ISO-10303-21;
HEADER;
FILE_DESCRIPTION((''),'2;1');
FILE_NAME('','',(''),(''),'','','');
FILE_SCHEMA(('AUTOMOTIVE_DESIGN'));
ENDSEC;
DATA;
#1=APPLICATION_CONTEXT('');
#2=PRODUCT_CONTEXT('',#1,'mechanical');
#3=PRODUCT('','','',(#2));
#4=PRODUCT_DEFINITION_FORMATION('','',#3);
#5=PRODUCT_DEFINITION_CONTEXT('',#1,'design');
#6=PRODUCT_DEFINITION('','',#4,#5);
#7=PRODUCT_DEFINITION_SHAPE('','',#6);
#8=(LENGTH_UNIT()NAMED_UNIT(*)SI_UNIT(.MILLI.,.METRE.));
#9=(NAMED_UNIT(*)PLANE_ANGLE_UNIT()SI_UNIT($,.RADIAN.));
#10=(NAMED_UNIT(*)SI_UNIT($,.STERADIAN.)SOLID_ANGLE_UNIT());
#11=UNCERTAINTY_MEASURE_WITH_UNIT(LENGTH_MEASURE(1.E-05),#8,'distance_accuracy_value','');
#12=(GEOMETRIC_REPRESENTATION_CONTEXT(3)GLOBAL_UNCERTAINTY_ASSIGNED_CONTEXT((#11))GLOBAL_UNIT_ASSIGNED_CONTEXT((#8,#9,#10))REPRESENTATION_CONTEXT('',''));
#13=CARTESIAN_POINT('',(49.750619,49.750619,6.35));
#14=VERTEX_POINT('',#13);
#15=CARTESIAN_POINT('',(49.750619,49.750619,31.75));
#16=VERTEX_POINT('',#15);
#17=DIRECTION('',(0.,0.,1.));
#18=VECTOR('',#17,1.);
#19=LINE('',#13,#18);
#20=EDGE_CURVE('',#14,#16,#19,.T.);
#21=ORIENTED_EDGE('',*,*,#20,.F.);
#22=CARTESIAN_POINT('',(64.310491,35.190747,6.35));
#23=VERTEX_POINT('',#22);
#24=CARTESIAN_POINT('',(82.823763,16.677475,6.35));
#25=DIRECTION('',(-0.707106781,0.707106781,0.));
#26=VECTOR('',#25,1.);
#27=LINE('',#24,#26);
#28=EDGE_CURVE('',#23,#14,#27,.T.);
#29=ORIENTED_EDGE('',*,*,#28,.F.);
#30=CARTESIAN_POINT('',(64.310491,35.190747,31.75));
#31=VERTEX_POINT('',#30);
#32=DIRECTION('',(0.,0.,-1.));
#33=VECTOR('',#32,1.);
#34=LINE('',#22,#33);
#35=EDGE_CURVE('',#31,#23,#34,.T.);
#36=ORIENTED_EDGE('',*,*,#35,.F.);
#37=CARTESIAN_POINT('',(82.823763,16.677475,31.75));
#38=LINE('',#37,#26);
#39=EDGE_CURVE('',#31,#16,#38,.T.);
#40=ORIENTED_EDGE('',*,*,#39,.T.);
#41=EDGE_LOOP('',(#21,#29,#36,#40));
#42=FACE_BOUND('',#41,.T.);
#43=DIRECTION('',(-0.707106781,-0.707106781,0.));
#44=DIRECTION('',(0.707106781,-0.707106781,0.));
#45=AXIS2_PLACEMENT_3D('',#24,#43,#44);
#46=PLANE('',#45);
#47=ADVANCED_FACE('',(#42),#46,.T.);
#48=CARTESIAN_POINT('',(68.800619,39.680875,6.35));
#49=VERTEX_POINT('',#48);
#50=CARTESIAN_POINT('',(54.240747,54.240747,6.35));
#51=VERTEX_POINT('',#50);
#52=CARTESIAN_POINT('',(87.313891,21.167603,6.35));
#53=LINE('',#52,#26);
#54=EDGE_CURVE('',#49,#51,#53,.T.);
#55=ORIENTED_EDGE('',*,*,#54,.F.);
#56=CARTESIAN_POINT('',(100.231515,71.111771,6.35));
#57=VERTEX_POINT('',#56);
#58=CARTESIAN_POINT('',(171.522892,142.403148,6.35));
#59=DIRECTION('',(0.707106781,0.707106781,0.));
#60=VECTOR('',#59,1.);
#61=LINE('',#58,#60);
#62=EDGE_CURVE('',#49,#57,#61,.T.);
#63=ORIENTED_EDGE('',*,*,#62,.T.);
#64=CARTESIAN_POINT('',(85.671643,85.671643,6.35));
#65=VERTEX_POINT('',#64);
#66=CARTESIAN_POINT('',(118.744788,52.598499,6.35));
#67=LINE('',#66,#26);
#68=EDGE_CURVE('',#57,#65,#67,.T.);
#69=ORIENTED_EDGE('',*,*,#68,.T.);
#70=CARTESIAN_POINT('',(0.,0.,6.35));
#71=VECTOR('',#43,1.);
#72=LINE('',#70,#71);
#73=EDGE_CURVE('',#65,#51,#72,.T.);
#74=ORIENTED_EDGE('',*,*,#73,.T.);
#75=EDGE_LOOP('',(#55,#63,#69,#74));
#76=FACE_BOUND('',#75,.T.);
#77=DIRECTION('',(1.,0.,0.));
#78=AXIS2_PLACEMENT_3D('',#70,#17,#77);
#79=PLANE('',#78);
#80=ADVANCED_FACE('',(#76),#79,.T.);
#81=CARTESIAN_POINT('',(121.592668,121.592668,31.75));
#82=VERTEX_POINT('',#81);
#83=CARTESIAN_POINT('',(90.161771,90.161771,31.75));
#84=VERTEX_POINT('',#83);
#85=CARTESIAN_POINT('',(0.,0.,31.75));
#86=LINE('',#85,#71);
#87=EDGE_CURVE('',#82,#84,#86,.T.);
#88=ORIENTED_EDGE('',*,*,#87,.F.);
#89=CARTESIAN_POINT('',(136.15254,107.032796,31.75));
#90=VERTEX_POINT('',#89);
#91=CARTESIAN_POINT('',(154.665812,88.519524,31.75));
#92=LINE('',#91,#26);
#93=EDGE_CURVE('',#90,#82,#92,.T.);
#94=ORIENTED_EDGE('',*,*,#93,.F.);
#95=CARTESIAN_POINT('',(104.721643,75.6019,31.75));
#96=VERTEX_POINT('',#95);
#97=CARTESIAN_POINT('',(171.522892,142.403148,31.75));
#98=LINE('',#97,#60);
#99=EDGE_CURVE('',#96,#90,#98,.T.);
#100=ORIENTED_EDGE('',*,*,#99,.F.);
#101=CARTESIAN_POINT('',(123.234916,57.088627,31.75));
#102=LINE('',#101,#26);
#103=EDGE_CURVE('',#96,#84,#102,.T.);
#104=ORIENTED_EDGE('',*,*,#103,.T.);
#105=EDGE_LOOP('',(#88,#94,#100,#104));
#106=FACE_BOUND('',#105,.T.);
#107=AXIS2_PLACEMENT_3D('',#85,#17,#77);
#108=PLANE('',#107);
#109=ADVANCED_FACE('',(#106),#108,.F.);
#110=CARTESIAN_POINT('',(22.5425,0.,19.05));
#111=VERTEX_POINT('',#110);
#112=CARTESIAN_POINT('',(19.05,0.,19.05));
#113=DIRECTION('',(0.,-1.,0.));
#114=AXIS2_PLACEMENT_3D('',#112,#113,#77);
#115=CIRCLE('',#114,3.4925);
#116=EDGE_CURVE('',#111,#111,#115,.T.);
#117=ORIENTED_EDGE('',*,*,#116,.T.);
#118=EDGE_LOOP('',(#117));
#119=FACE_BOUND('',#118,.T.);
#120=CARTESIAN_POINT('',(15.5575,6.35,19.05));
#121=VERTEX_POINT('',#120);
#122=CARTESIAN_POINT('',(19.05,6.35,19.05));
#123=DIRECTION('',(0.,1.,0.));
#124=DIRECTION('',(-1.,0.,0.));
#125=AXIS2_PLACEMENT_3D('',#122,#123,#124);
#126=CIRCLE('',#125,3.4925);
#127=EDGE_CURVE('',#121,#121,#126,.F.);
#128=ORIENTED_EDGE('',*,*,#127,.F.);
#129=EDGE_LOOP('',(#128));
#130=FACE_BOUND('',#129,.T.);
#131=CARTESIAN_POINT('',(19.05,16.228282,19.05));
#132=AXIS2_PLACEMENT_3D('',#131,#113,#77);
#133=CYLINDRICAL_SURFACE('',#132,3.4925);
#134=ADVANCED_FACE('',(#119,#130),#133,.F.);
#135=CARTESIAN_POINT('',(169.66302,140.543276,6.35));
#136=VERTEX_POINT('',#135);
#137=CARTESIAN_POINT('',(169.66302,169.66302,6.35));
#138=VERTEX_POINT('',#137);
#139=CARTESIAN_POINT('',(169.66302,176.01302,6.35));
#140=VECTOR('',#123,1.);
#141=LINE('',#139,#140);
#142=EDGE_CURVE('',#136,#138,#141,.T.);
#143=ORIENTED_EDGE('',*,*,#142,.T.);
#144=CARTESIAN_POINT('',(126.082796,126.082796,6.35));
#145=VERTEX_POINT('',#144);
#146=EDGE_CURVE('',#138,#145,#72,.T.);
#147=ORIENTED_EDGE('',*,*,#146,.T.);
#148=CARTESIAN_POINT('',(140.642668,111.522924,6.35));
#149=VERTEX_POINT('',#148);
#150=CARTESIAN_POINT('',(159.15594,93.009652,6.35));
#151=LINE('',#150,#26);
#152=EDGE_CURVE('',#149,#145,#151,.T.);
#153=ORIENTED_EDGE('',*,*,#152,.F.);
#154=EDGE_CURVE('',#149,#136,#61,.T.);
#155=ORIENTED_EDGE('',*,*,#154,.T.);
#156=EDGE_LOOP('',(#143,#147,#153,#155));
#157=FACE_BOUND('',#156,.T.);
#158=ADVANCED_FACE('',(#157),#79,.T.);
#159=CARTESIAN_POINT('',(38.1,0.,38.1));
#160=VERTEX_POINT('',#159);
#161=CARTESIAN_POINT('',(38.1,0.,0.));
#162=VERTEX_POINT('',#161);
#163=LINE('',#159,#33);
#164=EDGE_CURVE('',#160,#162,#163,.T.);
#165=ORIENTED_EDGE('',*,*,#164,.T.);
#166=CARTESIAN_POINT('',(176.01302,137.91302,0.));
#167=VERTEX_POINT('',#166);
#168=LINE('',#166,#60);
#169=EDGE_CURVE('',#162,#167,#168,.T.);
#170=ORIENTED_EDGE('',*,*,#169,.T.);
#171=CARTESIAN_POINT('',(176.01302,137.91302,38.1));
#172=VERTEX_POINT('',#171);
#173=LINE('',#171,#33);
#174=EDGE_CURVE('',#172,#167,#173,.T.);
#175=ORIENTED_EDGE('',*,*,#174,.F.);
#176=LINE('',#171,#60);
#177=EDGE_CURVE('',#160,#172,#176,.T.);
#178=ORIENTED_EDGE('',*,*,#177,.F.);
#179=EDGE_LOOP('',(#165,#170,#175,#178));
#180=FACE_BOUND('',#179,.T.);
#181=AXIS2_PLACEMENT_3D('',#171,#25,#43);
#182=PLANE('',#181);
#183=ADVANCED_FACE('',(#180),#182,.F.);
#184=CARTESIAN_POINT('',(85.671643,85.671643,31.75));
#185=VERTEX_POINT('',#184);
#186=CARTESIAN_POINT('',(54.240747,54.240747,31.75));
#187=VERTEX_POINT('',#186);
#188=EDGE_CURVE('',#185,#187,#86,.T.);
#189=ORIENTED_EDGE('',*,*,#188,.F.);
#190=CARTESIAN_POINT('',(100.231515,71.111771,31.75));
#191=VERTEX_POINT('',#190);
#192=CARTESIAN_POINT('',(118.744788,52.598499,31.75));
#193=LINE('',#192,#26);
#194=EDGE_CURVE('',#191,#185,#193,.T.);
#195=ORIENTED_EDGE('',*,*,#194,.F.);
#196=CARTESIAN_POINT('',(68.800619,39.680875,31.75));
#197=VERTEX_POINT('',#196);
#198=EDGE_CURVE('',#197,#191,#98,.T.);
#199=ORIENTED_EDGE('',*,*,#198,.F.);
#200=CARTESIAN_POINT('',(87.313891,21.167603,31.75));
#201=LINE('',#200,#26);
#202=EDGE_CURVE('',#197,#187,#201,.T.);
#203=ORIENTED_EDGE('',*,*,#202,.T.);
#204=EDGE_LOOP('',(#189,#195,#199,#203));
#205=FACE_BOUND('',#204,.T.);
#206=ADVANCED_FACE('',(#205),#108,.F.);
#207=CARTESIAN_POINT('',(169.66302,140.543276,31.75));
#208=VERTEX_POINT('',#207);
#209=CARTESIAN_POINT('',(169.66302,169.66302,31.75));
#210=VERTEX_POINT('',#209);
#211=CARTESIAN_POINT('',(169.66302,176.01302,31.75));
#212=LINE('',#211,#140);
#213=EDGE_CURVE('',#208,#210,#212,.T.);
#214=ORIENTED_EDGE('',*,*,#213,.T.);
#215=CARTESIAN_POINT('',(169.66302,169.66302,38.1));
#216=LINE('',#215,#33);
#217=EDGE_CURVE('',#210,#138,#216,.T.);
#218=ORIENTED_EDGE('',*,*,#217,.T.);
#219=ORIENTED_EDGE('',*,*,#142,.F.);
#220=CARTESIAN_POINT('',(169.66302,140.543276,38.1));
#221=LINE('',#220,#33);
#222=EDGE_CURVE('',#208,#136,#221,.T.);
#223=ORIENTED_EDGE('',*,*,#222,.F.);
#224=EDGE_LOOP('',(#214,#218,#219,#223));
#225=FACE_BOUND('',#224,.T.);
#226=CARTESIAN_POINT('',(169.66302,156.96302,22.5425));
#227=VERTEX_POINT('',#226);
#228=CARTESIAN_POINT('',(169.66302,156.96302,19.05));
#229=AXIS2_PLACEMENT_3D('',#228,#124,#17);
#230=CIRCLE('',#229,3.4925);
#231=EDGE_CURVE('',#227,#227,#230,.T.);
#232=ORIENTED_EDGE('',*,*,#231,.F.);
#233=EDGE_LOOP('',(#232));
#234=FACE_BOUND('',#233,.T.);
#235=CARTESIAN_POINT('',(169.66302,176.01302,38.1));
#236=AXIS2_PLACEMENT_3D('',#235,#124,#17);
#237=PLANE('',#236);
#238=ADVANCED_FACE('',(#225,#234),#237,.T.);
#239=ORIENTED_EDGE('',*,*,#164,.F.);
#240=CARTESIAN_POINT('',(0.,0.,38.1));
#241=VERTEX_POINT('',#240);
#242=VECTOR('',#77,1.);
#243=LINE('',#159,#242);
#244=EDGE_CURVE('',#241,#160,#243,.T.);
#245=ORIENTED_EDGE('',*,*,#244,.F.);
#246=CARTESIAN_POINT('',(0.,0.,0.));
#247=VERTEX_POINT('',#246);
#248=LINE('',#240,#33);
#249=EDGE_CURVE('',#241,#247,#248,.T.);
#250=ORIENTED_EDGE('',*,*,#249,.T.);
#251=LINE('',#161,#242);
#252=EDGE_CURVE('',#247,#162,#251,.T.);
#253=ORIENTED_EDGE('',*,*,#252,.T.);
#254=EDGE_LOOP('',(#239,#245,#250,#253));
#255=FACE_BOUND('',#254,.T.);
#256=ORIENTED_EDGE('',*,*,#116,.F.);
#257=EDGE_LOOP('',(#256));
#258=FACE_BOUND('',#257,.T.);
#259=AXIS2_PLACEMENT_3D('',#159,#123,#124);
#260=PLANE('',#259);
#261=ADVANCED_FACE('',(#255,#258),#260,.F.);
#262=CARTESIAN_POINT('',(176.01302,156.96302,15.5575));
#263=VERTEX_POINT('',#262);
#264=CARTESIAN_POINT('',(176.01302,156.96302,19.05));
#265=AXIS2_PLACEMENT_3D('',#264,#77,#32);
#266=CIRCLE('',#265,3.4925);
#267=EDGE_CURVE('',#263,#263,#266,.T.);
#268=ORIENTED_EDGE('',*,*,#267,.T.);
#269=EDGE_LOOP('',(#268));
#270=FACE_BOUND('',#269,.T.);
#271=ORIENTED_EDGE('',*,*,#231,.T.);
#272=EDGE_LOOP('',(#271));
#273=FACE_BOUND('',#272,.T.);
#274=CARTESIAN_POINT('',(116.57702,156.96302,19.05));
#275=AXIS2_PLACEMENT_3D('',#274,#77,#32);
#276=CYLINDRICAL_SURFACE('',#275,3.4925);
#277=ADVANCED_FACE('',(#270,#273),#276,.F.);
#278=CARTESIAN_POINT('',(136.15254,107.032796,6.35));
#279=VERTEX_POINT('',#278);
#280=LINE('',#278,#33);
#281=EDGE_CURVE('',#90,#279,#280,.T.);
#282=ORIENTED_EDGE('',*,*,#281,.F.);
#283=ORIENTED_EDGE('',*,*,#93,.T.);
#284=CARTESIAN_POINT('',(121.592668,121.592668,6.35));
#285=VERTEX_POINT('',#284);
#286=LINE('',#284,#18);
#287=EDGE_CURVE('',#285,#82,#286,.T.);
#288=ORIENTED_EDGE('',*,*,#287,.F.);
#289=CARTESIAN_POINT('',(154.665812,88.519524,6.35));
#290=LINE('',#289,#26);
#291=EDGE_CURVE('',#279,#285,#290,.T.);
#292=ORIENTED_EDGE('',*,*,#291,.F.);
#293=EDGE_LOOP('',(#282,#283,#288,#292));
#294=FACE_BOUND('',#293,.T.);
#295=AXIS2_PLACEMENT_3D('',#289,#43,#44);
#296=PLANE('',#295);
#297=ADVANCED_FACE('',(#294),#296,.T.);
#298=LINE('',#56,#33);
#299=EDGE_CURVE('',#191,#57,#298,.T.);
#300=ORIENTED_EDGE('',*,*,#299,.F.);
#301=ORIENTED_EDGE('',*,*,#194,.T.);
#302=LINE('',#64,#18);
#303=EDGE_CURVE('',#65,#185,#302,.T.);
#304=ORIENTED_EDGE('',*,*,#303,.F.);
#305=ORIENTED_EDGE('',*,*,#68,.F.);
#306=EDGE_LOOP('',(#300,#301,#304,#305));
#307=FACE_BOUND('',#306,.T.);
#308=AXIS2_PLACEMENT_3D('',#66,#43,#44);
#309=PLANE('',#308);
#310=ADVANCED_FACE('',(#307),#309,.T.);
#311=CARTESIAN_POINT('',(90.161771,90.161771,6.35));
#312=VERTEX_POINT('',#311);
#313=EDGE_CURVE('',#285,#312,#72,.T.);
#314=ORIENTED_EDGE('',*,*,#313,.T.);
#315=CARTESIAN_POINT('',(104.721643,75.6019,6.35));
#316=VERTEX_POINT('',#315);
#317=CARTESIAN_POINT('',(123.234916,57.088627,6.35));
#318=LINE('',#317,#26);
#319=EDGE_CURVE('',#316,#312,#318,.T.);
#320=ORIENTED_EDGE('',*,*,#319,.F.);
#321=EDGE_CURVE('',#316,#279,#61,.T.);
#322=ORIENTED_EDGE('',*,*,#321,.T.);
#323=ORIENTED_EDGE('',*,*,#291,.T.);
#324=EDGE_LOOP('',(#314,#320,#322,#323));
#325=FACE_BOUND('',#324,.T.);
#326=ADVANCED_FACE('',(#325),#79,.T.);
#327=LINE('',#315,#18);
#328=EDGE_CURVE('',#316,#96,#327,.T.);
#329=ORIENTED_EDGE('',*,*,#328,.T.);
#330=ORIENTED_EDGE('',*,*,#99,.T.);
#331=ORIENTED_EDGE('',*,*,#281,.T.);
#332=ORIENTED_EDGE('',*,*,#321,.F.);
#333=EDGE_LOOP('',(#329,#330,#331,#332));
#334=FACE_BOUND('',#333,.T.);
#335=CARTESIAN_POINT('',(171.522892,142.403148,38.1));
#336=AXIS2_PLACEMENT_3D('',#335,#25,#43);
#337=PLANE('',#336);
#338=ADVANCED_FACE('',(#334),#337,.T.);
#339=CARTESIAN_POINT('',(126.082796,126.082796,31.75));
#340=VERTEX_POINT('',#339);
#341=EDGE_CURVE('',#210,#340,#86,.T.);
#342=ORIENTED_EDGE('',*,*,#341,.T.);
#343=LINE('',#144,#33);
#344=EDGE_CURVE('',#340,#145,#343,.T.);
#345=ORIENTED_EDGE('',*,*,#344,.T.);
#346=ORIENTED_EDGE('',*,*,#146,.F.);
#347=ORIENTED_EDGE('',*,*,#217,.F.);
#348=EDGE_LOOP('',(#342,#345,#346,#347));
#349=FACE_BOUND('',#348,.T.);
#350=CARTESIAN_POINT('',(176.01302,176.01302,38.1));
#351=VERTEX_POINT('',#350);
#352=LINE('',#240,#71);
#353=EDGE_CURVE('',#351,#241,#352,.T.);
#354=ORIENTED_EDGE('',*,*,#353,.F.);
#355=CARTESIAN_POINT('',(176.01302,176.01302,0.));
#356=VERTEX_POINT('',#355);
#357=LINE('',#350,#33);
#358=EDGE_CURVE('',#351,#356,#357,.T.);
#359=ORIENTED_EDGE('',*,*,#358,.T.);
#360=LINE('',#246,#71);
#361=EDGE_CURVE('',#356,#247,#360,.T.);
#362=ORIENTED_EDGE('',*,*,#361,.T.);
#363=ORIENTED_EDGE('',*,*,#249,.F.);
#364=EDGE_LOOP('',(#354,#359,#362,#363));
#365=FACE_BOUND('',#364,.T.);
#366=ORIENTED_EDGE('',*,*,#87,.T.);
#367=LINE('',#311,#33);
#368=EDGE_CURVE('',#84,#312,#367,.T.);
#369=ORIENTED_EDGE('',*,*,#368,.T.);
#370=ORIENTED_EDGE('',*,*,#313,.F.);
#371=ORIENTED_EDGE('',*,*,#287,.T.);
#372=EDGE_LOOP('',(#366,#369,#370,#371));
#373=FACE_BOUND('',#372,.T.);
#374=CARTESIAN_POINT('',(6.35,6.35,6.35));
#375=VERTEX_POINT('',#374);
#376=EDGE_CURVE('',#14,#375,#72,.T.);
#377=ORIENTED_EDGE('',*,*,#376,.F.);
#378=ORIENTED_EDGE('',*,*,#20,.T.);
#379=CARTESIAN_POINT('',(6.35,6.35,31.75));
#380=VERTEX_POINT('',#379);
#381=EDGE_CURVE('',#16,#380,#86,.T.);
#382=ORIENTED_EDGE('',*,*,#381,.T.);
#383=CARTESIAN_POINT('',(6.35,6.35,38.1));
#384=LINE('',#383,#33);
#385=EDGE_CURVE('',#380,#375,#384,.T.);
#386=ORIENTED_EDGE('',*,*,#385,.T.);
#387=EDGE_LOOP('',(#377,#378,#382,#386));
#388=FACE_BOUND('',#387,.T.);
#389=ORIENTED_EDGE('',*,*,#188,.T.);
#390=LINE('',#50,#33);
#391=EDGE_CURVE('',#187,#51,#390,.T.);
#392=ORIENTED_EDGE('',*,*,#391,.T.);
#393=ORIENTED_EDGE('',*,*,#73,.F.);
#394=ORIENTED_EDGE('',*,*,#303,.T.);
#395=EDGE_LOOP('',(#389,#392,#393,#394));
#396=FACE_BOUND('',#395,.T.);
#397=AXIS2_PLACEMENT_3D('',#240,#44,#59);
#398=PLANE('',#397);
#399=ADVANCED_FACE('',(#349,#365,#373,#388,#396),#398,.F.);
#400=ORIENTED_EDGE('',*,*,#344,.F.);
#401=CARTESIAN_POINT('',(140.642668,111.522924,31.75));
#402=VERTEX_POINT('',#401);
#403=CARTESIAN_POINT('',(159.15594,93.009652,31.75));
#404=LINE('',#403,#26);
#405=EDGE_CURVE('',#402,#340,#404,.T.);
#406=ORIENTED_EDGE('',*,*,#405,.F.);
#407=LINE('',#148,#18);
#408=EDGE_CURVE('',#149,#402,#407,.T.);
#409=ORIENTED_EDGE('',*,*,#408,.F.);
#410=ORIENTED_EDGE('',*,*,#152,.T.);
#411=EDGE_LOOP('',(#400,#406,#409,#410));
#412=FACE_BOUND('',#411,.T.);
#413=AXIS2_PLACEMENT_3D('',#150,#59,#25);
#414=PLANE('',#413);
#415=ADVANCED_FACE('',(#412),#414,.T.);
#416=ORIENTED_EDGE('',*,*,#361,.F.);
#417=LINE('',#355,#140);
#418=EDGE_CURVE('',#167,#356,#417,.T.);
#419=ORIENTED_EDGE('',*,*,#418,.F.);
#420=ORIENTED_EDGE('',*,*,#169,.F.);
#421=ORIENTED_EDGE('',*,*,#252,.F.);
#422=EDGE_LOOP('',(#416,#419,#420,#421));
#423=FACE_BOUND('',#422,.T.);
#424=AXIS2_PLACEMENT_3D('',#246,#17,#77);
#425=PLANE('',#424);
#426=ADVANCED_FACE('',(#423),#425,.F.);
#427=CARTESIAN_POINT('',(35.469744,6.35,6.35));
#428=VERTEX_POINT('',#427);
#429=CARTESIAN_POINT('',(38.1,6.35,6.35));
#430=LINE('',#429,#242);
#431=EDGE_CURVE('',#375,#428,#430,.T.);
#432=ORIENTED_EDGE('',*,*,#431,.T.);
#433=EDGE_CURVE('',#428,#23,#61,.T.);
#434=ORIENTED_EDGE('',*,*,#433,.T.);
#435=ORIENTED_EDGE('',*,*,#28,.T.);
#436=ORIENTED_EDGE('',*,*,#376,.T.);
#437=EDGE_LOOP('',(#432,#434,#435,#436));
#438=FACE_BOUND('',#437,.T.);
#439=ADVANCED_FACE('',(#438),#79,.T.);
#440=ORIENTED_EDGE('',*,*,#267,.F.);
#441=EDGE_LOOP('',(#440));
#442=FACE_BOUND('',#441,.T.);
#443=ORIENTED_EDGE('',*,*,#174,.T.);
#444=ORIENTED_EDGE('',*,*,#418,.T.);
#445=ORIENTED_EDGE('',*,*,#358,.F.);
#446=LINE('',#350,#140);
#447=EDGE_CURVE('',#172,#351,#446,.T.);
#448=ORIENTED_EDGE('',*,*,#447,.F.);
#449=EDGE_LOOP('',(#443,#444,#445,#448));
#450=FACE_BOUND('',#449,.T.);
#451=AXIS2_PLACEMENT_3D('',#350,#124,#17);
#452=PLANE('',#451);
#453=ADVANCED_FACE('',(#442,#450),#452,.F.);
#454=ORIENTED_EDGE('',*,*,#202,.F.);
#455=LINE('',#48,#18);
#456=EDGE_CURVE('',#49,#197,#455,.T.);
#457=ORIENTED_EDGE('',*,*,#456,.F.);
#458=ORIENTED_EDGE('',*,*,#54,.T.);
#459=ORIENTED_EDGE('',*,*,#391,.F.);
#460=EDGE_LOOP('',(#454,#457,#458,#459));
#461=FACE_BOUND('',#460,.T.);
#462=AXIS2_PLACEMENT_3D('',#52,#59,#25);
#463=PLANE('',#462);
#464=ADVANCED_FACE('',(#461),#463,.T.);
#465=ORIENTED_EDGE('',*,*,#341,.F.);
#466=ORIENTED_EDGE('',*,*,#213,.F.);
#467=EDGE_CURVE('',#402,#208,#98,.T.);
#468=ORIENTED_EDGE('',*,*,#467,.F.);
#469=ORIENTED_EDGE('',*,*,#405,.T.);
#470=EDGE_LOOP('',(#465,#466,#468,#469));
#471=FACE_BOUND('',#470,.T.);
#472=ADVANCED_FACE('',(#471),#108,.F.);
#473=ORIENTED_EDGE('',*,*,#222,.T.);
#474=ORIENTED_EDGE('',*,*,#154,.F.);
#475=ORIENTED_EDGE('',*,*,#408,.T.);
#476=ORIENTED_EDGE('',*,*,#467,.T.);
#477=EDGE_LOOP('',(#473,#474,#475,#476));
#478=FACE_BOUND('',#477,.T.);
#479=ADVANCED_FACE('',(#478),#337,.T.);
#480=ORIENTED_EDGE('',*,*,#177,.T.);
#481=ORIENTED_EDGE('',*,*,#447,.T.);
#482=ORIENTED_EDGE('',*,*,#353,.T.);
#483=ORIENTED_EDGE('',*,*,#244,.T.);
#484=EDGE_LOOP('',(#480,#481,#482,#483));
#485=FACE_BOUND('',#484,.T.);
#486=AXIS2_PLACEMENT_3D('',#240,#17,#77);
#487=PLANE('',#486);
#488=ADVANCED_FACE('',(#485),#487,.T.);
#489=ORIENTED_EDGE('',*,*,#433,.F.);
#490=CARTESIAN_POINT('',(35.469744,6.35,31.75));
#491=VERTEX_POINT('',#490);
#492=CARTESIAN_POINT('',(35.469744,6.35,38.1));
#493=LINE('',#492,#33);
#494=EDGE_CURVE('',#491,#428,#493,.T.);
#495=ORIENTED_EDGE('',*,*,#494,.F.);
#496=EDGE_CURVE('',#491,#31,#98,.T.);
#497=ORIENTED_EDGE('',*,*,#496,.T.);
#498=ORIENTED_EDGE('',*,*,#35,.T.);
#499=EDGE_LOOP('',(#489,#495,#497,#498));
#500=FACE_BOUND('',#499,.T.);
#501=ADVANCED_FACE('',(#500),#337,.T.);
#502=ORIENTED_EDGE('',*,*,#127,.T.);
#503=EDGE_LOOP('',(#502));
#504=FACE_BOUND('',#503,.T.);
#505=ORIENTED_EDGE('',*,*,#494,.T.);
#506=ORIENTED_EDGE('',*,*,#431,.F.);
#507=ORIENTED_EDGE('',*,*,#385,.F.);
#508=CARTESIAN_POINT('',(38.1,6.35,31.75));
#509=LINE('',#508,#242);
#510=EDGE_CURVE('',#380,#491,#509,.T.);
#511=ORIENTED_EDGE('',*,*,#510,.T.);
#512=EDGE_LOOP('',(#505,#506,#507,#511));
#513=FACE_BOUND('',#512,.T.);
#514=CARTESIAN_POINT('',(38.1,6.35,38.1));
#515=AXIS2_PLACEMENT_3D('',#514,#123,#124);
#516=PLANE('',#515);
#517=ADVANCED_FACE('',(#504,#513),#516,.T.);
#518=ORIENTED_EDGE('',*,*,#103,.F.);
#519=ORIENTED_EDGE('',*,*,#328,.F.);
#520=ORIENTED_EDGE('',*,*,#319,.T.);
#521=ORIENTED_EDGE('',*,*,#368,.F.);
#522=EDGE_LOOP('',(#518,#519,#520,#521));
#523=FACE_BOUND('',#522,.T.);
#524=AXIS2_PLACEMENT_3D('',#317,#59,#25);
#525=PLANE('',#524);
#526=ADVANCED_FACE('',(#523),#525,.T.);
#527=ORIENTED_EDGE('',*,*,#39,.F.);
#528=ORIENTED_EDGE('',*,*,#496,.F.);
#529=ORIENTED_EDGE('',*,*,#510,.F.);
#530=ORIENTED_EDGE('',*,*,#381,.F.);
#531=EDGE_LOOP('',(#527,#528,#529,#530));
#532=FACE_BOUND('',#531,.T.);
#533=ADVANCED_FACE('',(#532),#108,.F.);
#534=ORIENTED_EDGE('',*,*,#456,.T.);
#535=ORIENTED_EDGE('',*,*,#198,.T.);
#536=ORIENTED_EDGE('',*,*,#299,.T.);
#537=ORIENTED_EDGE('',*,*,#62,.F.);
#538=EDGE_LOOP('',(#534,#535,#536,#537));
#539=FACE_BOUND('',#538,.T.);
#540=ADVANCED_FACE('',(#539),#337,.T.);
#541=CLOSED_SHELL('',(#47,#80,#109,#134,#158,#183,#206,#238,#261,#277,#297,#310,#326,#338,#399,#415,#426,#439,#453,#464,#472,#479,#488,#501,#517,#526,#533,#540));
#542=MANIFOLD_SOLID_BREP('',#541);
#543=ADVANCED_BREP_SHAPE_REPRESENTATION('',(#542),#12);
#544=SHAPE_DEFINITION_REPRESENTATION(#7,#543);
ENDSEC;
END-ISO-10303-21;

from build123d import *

# Parameters (mm, degrees)
BOSS_EXTRUDE1_DEPTH = 38.1
SHELL1_T            = -6.35
SKETCH3_R           = 3.4925
CUT_EXTRUDE1_DEPTH  = 6.35
SKETCH4_R           = 3.4925
CUT_EXTRUDE2_DEPTH  = 59.436
SKETCH6_W           = 25.4
SKETCH6_H           = 6.35
BOSS_EXTRUDE2_DEPTH = 26.940768


with BuildPart() as part:
    # Sketch1 → Boss-Extrude1 (new body)
    with BuildSketch(Plane.XY):
        Polygon((0, 0), (176.013019973, 176.013019973), (176.013019973, 137.913019973), (38.1, 0), align=None)
    extrude(amount=BOSS_EXTRUDE1_DEPTH)

    # Shell1
    shell1_openings = [part.faces().sort_by_distance(p)[0] for p in [
        (88.006509986, 88.006509986, 19.05),
    ]]
    offset(amount=SHELL1_T, openings=shell1_openings, kind=Kind.INTERSECTION)

    # Sketch3 → Cut-Extrude1 (cut)
    with BuildSketch(Plane.XZ):
        with Locations((19.05, 19.05)):
            Circle(SKETCH3_R)
    extrude(amount=-CUT_EXTRUDE1_DEPTH, mode=Mode.SUBTRACT)

    # Sketch4 → Cut-Extrude2 (cut)
    with BuildSketch(Plane(origin=(176.013019973, 0, 0), x_dir=(0, 0, -1), z_dir=(1, 0, 0))):
        with Locations((-19.05, 156.963019973)):
            Circle(SKETCH4_R)
    extrude(amount=-CUT_EXTRUDE2_DEPTH, mode=Mode.SUBTRACT)

    # Sketch6 → Boss-Extrude2 (add)
    with BuildSketch(Plane(origin=(0, 0, 0), x_dir=(0, 0, 1), z_dir=(-0.707106781, 0.707106781, 0))):
        with Locations((19.05, 124.333)):
            Rectangle(SKETCH6_W, SKETCH6_H)
        with Locations((19.05, 175.133)):
            Rectangle(SKETCH6_W, SKETCH6_H)
        with Locations((19.05, 73.533)):
            Rectangle(SKETCH6_W, SKETCH6_H)
    extrude(amount=-BOSS_EXTRUDE2_DEPTH)


solid = part.part
